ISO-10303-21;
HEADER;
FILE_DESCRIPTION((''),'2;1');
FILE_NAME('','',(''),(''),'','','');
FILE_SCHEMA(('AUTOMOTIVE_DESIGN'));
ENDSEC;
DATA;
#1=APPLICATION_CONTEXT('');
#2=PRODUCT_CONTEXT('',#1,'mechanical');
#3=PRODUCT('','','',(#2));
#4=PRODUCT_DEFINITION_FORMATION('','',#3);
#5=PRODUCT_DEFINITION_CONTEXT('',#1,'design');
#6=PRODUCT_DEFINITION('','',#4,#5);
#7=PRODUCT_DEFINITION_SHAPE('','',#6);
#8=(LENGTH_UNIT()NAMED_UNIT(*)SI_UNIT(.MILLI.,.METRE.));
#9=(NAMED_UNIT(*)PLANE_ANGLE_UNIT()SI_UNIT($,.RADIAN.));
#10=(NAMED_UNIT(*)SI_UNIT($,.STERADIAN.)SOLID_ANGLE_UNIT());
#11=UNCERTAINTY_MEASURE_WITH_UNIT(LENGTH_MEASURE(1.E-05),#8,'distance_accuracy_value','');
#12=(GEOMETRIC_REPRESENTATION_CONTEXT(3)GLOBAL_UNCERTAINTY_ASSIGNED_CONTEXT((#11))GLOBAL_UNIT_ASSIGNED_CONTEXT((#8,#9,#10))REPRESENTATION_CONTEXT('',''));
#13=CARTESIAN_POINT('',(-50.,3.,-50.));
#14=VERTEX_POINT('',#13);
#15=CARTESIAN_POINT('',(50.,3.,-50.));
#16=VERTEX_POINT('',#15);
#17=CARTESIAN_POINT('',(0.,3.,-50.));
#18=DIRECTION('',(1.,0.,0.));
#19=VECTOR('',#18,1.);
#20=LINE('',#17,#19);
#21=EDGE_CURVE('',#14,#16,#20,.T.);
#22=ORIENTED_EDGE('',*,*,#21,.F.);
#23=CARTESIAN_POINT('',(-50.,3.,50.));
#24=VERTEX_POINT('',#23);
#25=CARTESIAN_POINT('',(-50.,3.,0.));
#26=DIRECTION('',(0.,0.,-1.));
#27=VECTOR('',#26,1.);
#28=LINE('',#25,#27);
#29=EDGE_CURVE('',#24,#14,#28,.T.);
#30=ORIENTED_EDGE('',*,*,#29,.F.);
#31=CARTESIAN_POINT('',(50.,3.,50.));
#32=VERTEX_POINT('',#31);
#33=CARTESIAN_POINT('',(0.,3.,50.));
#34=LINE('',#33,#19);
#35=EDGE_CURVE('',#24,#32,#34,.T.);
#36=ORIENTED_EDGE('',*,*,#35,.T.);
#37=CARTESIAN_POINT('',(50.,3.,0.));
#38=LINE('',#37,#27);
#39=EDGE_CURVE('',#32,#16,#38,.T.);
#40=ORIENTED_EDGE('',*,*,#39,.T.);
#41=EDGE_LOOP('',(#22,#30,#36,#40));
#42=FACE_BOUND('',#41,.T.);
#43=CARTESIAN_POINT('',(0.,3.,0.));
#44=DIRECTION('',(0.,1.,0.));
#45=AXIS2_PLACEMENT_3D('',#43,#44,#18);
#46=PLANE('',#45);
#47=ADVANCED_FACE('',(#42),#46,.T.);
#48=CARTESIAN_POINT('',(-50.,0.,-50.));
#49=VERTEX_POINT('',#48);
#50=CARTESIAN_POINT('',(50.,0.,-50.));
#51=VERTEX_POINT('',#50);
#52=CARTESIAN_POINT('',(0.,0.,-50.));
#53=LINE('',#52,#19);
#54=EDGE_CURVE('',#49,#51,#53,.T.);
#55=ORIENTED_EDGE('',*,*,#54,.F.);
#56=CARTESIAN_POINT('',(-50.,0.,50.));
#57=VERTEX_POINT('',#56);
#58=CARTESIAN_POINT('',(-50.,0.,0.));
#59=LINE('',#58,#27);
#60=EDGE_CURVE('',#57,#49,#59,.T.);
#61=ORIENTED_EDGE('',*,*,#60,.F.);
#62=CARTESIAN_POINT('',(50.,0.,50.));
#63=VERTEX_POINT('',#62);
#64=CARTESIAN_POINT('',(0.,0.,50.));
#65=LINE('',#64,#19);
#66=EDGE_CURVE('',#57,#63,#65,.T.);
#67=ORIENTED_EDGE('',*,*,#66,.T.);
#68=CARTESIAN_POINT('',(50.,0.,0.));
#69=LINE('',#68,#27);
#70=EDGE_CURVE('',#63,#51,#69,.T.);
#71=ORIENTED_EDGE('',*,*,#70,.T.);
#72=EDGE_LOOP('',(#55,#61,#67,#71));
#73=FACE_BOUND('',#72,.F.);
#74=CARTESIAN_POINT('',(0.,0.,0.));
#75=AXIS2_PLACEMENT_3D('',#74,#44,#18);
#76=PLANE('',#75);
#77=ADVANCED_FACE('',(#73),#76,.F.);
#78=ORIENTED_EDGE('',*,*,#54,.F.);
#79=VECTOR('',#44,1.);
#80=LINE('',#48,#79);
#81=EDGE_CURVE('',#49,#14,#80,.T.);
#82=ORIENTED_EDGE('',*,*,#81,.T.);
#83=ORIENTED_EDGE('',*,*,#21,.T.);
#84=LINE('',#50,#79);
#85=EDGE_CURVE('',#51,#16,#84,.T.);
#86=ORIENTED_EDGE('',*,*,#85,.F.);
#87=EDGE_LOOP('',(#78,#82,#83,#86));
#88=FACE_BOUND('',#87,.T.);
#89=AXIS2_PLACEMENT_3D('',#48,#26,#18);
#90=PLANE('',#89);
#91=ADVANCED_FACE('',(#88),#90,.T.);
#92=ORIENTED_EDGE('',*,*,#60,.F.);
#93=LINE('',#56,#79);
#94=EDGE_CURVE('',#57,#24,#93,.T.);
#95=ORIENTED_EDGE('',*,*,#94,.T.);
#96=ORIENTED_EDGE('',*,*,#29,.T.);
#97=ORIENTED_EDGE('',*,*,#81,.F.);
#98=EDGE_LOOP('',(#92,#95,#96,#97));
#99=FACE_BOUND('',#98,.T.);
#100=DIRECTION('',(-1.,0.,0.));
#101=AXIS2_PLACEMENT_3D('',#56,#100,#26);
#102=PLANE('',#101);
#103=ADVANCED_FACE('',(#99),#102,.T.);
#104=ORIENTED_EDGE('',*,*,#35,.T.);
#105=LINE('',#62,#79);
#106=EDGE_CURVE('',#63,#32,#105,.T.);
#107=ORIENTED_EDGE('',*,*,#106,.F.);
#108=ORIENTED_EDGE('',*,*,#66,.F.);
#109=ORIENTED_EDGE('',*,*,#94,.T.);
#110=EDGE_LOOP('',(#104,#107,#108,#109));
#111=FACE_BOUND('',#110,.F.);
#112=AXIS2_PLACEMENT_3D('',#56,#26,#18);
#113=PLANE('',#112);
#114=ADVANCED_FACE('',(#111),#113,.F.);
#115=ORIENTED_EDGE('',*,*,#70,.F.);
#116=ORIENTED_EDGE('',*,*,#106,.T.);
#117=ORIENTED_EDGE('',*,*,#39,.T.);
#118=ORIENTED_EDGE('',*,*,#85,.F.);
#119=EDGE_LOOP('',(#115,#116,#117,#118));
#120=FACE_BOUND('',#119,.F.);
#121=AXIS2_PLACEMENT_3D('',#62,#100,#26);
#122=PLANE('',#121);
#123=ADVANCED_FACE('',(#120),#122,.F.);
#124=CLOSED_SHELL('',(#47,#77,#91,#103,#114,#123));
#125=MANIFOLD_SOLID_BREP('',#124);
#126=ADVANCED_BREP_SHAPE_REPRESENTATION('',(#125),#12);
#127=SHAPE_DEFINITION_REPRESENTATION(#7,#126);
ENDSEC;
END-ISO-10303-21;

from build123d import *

# Parameters (mm, degrees)
SKETCH_1_W      = 100
SKETCH_1_H      = 100
EXTRUDE_1_DEPTH = 3


with BuildPart() as part:
    # 草图1 → 凸台-拉伸1 (new body)
    with BuildSketch(Plane(origin=(0, 0, 0), x_dir=(1, 0, 0), z_dir=(0, 1, 0))):
        Rectangle(SKETCH_1_W, SKETCH_1_H)
    extrude(amount=EXTRUDE_1_DEPTH)


solid = part.part
